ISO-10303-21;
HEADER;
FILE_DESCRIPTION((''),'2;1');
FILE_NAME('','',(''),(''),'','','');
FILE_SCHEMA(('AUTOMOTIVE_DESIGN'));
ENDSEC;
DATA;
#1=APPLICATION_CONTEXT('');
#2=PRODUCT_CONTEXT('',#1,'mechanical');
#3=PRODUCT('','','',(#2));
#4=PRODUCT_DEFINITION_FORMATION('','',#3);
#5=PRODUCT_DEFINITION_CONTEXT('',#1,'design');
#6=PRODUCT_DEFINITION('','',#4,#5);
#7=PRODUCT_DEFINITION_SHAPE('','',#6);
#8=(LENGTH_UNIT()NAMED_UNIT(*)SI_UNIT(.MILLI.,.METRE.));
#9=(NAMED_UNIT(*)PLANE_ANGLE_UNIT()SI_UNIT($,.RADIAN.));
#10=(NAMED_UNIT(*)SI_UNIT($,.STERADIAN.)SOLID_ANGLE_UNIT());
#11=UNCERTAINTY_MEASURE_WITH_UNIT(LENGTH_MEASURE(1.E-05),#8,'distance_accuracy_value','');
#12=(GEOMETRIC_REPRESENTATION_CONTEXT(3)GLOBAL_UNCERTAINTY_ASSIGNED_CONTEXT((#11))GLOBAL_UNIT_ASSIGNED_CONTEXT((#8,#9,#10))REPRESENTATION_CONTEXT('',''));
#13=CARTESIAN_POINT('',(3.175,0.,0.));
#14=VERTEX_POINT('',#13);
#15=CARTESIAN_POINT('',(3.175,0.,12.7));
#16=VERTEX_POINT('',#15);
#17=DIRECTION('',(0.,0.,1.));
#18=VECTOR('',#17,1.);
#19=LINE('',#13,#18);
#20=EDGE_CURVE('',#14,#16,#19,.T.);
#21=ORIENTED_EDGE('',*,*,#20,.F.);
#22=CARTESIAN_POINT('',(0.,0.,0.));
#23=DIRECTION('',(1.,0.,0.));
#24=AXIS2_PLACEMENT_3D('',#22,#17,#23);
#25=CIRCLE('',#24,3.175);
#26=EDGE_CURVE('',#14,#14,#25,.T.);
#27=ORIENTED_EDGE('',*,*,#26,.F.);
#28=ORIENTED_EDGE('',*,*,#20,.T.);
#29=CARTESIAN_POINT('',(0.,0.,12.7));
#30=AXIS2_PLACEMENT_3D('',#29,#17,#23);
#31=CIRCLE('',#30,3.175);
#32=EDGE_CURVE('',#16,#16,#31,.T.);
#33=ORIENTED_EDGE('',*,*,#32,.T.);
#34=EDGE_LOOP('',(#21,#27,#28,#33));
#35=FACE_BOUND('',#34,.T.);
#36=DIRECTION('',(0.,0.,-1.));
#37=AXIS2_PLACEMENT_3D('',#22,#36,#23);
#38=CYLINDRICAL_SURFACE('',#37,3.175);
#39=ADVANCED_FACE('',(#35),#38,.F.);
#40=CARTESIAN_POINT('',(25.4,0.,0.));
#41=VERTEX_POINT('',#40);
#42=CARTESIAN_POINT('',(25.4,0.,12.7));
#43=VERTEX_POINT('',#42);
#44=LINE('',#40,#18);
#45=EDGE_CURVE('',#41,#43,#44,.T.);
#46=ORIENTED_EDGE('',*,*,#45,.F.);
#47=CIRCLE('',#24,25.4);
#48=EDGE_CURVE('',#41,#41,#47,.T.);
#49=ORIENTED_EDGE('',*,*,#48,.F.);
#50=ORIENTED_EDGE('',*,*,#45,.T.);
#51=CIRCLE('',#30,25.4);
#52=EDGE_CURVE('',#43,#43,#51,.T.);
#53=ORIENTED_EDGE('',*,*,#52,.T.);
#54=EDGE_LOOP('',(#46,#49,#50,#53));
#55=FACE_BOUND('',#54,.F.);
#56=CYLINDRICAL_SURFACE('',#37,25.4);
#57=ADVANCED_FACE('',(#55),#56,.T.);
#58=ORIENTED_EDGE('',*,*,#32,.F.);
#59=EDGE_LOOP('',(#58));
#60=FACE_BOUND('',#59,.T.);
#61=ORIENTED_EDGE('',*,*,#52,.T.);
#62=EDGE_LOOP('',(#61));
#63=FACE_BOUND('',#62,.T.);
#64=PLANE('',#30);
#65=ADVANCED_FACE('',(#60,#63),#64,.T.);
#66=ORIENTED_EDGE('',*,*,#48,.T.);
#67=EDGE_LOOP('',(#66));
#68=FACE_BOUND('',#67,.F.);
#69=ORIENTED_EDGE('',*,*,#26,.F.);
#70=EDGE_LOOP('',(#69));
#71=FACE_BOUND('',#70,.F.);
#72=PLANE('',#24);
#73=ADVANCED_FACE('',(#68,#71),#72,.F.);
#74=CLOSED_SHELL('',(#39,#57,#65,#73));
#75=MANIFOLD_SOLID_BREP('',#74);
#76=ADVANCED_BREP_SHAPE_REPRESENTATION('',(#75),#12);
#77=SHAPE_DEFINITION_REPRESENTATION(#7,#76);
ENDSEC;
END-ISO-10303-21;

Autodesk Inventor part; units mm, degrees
ref_plane "YZ Plane" through (0, 0, 0) normal (1, 0, 0) x (0, 1, 0)
ref_plane "XZ Plane" through (0, 0, 0) normal (0, 1, 0) x (-1, 0, 0)
ref_plane "XY Plane" through (0, 0, 0) normal (0, 0, 1) x (1, 0, 0)
sketch "Sketch1" plane through (0, 0, 0) normal (0, 0, 1) x (1, 0, 0)
  circle A0 centre (0, 0) radius 25.4
  circle A1 centre (0, 0) radius 3.175
  dimension "d0" = 50.8
  dimension "d3" = 6.35
extrude "Extrusion1" add sketch "Sketch1" along normal blind 12.7
properties part number "Temp - W2" material "Polyethylene, Low Density"
